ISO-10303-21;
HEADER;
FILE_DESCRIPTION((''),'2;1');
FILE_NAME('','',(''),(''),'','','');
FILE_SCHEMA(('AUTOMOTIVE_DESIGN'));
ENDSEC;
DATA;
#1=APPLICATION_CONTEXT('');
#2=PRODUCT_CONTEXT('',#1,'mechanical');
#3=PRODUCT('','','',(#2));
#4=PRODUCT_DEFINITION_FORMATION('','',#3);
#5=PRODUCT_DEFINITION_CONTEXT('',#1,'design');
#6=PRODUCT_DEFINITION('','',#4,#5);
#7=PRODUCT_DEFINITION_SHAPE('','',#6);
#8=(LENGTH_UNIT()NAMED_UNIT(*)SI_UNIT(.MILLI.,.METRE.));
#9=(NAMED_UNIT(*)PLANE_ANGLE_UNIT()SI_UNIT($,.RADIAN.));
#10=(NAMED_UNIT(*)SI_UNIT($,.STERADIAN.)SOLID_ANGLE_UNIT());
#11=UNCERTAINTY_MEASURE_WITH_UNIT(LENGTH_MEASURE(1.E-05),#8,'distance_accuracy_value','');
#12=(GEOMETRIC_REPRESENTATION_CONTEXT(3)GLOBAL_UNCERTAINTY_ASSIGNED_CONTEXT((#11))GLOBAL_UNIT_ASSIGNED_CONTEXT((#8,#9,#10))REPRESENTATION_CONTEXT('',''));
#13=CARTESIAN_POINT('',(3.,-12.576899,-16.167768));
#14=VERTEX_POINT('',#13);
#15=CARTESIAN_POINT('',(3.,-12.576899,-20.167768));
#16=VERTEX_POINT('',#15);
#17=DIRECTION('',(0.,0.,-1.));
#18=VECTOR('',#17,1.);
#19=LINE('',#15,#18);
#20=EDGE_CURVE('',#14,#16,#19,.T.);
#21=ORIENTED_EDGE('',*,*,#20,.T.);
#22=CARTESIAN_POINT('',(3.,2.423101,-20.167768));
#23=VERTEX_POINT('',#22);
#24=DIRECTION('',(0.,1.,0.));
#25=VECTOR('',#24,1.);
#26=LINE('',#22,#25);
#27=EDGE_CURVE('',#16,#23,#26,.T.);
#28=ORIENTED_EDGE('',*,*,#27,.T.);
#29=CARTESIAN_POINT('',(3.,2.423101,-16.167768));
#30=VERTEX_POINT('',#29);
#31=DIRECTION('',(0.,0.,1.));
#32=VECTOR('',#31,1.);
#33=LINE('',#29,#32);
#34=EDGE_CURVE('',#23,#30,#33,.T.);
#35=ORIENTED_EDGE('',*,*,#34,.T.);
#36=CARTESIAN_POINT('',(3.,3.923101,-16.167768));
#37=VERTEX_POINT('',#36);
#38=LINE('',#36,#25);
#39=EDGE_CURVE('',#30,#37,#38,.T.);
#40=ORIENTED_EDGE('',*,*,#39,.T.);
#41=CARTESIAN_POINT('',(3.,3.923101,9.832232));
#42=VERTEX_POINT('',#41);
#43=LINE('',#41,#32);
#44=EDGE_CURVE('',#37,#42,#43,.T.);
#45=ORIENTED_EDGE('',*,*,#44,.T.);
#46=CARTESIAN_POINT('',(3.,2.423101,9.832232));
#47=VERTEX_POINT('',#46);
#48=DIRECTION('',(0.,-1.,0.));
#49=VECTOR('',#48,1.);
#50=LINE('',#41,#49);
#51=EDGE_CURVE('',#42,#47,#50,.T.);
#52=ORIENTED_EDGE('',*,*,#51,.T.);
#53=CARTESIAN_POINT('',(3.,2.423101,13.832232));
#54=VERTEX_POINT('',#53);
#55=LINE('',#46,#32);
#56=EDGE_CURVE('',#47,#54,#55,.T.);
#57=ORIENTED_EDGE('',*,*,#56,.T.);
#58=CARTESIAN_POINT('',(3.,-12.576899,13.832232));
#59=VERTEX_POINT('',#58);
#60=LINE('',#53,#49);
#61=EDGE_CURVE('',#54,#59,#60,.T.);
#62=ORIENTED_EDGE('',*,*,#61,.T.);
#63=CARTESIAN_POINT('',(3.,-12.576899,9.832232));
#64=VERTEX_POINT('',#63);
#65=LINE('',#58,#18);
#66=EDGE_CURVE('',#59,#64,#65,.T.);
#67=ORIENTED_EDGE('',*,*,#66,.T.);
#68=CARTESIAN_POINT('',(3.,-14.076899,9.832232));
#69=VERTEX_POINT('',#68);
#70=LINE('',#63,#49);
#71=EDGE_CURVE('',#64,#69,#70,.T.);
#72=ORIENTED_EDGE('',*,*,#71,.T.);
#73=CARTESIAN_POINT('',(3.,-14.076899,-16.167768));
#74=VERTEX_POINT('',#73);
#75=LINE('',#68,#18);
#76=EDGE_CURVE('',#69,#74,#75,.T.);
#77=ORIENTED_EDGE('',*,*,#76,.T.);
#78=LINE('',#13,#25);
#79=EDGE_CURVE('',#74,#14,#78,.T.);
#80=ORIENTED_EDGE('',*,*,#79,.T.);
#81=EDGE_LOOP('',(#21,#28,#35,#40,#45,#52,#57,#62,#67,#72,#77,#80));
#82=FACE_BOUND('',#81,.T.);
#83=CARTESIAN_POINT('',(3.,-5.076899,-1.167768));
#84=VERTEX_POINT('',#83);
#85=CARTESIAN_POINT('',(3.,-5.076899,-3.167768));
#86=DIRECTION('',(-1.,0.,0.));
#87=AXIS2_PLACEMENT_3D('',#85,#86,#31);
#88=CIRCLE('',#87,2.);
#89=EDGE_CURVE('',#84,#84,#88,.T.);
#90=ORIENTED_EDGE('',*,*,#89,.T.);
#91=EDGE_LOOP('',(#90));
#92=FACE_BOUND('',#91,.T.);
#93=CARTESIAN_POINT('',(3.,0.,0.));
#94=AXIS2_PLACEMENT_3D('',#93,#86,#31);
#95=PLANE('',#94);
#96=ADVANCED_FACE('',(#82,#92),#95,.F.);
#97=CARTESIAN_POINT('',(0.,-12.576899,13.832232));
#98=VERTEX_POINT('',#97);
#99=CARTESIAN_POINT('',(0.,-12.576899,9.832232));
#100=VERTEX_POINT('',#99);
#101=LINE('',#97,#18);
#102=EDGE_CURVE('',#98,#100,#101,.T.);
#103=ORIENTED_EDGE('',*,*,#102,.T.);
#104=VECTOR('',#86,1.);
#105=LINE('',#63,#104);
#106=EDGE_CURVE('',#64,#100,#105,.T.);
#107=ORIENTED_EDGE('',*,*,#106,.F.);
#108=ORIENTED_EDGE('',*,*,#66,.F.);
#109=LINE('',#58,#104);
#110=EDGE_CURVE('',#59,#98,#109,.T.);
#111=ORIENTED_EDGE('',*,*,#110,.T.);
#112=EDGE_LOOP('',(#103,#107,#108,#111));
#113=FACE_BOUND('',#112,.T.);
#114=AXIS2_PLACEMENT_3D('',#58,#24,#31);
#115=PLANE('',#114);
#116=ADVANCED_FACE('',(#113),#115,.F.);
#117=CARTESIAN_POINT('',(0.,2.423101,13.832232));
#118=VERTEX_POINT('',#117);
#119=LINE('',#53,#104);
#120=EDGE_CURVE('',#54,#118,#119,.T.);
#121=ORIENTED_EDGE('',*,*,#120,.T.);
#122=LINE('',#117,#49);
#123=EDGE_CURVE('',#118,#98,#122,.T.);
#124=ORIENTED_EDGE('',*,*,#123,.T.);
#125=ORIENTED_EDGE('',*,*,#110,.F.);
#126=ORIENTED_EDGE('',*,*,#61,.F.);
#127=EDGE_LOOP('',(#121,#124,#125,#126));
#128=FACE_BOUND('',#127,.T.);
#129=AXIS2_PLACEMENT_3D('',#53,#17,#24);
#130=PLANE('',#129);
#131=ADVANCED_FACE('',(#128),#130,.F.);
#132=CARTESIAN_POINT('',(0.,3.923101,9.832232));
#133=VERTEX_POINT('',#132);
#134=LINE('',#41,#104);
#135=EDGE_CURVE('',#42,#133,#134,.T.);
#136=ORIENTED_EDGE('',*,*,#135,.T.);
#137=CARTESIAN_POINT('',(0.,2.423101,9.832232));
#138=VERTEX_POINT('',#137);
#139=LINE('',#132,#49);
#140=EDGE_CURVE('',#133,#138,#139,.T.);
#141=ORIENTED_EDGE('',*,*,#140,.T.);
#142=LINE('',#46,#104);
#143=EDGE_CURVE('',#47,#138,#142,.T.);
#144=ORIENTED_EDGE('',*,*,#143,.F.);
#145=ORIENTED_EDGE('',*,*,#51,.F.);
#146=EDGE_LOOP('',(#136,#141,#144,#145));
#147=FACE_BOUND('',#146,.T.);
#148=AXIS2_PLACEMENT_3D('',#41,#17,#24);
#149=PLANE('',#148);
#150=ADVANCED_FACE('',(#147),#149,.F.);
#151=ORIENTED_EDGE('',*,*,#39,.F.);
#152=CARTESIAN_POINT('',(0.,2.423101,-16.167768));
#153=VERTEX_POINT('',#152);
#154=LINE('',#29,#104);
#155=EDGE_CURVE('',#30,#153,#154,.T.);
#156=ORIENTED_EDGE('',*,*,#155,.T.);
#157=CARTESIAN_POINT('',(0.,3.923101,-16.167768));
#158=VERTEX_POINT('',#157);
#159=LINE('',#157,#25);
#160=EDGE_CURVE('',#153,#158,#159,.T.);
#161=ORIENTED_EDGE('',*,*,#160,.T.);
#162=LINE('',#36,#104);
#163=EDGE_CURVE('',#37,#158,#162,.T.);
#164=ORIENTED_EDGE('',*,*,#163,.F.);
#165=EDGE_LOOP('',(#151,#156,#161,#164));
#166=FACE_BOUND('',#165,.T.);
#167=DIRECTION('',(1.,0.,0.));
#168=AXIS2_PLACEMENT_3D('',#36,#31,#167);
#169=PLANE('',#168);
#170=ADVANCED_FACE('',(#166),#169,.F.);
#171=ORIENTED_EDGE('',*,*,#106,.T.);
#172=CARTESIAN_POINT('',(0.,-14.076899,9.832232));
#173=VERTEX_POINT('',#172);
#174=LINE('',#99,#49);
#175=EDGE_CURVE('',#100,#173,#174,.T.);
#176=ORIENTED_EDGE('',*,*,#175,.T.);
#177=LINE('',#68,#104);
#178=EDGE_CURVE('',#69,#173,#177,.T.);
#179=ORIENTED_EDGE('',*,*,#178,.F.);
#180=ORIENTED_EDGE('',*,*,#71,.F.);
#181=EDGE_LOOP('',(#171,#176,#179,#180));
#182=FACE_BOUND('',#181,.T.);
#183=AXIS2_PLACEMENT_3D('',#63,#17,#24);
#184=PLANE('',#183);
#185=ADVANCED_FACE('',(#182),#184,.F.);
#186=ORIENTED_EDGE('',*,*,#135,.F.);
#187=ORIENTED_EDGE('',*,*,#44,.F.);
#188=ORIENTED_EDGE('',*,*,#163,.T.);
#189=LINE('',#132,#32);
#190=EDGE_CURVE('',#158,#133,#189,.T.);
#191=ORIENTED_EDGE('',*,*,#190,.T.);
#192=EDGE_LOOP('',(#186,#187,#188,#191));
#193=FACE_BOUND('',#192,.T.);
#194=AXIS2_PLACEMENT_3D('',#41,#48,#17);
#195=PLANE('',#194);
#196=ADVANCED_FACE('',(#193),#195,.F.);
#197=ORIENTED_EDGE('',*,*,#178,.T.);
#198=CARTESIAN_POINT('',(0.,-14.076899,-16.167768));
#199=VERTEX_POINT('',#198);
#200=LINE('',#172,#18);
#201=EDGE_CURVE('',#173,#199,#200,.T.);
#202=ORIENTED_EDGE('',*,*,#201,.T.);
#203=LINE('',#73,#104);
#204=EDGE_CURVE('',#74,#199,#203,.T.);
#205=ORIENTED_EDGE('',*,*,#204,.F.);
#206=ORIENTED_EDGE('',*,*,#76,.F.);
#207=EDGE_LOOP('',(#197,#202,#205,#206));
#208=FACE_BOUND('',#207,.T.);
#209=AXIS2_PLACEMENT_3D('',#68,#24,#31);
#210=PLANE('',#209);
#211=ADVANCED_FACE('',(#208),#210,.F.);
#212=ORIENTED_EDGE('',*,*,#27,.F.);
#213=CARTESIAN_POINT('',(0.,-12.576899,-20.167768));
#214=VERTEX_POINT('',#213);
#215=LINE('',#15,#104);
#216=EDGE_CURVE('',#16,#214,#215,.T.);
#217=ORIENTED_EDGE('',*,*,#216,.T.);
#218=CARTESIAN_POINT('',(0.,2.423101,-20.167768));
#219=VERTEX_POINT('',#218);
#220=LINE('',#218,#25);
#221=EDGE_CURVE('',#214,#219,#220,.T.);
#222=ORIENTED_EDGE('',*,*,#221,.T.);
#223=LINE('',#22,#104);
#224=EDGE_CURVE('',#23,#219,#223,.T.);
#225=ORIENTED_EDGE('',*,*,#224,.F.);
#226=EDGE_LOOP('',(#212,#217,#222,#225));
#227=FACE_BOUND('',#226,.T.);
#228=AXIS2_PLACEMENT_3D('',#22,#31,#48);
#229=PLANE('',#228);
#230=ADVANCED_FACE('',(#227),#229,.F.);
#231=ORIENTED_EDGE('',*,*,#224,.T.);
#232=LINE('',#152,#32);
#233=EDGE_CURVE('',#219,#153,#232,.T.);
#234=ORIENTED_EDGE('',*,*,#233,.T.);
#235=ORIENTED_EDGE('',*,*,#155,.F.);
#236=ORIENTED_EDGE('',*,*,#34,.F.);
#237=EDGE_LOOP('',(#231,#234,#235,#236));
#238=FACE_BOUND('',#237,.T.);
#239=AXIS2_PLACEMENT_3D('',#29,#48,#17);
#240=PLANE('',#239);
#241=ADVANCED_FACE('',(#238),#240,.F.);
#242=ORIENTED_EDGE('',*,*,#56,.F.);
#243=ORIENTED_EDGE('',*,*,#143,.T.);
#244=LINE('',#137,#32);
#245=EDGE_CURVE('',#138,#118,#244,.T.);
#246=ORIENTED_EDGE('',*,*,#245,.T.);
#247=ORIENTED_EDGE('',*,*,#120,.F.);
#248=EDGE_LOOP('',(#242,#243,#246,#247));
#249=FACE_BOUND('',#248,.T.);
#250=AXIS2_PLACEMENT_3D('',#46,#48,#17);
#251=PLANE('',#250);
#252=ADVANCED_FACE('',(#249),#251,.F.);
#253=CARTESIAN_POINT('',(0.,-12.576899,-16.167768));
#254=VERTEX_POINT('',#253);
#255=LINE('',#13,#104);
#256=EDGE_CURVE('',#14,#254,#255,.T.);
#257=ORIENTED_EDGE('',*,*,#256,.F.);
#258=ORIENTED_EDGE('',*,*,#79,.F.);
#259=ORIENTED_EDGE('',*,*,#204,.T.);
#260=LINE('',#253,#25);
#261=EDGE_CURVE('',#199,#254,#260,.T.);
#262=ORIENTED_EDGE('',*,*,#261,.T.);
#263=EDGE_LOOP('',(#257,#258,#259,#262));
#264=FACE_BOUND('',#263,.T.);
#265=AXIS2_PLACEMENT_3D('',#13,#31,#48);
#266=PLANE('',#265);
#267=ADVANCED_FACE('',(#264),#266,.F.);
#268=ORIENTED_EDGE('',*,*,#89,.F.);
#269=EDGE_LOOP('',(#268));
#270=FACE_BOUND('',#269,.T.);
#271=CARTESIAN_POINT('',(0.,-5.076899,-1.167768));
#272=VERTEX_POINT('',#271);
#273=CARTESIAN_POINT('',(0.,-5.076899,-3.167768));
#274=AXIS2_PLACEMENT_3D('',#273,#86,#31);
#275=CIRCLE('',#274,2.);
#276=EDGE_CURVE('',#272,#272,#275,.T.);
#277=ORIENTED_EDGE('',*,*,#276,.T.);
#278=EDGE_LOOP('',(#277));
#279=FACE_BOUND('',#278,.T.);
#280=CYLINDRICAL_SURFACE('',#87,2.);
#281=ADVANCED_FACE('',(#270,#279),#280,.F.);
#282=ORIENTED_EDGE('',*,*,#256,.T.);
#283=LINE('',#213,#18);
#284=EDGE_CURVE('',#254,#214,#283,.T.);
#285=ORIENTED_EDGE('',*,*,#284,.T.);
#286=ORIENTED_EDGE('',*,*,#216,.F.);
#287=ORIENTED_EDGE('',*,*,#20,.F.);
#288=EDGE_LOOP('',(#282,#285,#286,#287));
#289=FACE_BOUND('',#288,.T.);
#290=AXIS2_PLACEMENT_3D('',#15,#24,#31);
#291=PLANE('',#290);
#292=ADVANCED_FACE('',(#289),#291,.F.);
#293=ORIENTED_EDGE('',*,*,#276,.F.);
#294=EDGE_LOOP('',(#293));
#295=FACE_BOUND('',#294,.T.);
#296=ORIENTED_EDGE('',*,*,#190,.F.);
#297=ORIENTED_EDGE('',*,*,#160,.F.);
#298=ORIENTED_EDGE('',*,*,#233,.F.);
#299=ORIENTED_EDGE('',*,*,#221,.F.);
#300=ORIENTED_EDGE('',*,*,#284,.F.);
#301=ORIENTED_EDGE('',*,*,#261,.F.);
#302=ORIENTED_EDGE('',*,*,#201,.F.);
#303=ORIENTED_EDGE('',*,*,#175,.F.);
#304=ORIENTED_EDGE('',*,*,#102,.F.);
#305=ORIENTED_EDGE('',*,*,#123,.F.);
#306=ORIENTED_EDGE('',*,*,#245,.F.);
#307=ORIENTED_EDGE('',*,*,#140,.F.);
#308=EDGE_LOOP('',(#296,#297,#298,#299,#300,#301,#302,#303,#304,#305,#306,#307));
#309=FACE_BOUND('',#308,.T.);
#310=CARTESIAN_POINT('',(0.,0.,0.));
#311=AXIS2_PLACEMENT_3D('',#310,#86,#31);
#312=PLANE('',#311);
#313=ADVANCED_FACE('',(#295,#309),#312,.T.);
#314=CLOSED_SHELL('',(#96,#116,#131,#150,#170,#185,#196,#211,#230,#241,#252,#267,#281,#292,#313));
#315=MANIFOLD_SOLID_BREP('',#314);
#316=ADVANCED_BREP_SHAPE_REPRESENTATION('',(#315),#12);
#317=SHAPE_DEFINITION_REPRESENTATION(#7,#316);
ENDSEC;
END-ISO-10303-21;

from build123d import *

# Parameters (mm, degrees)
BOSS_EXTRUDE1_DEPTH = 3
SKETCH2_R           = 2
CUT_EXTRUDE1_DEPTH  = 3


with BuildPart() as part:
    # Sketch1 → Boss-Extrude1 (new body)
    with BuildSketch(Plane(origin=(0, 0, 0), x_dir=(0, 0, -1), z_dir=(1, 0, 0))):
        Polygon((-9.832231839, 2.423101367), (-13.832231839, 2.423101367), (-13.832231839, -12.576898633), (-9.832231839, -12.576898633), (-9.832231839, -14.076898633), (16.167768161, -14.076898633), (16.167768161, -12.576898633), (20.167768161, -12.576898633), (20.167768161, 2.423101367), (16.167768161, 2.423101367), (16.167768161, 3.923101367), (-9.832231839, 3.923101367), align=None)
    extrude(amount=BOSS_EXTRUDE1_DEPTH)

    # Sketch2 → Cut-Extrude1 (cut)
    with BuildSketch(Plane.ZY):
        with Locations((-3.167768161, -5.076898633)):
            Circle(SKETCH2_R)
    extrude(amount=-CUT_EXTRUDE1_DEPTH, mode=Mode.SUBTRACT)


solid = part.part
